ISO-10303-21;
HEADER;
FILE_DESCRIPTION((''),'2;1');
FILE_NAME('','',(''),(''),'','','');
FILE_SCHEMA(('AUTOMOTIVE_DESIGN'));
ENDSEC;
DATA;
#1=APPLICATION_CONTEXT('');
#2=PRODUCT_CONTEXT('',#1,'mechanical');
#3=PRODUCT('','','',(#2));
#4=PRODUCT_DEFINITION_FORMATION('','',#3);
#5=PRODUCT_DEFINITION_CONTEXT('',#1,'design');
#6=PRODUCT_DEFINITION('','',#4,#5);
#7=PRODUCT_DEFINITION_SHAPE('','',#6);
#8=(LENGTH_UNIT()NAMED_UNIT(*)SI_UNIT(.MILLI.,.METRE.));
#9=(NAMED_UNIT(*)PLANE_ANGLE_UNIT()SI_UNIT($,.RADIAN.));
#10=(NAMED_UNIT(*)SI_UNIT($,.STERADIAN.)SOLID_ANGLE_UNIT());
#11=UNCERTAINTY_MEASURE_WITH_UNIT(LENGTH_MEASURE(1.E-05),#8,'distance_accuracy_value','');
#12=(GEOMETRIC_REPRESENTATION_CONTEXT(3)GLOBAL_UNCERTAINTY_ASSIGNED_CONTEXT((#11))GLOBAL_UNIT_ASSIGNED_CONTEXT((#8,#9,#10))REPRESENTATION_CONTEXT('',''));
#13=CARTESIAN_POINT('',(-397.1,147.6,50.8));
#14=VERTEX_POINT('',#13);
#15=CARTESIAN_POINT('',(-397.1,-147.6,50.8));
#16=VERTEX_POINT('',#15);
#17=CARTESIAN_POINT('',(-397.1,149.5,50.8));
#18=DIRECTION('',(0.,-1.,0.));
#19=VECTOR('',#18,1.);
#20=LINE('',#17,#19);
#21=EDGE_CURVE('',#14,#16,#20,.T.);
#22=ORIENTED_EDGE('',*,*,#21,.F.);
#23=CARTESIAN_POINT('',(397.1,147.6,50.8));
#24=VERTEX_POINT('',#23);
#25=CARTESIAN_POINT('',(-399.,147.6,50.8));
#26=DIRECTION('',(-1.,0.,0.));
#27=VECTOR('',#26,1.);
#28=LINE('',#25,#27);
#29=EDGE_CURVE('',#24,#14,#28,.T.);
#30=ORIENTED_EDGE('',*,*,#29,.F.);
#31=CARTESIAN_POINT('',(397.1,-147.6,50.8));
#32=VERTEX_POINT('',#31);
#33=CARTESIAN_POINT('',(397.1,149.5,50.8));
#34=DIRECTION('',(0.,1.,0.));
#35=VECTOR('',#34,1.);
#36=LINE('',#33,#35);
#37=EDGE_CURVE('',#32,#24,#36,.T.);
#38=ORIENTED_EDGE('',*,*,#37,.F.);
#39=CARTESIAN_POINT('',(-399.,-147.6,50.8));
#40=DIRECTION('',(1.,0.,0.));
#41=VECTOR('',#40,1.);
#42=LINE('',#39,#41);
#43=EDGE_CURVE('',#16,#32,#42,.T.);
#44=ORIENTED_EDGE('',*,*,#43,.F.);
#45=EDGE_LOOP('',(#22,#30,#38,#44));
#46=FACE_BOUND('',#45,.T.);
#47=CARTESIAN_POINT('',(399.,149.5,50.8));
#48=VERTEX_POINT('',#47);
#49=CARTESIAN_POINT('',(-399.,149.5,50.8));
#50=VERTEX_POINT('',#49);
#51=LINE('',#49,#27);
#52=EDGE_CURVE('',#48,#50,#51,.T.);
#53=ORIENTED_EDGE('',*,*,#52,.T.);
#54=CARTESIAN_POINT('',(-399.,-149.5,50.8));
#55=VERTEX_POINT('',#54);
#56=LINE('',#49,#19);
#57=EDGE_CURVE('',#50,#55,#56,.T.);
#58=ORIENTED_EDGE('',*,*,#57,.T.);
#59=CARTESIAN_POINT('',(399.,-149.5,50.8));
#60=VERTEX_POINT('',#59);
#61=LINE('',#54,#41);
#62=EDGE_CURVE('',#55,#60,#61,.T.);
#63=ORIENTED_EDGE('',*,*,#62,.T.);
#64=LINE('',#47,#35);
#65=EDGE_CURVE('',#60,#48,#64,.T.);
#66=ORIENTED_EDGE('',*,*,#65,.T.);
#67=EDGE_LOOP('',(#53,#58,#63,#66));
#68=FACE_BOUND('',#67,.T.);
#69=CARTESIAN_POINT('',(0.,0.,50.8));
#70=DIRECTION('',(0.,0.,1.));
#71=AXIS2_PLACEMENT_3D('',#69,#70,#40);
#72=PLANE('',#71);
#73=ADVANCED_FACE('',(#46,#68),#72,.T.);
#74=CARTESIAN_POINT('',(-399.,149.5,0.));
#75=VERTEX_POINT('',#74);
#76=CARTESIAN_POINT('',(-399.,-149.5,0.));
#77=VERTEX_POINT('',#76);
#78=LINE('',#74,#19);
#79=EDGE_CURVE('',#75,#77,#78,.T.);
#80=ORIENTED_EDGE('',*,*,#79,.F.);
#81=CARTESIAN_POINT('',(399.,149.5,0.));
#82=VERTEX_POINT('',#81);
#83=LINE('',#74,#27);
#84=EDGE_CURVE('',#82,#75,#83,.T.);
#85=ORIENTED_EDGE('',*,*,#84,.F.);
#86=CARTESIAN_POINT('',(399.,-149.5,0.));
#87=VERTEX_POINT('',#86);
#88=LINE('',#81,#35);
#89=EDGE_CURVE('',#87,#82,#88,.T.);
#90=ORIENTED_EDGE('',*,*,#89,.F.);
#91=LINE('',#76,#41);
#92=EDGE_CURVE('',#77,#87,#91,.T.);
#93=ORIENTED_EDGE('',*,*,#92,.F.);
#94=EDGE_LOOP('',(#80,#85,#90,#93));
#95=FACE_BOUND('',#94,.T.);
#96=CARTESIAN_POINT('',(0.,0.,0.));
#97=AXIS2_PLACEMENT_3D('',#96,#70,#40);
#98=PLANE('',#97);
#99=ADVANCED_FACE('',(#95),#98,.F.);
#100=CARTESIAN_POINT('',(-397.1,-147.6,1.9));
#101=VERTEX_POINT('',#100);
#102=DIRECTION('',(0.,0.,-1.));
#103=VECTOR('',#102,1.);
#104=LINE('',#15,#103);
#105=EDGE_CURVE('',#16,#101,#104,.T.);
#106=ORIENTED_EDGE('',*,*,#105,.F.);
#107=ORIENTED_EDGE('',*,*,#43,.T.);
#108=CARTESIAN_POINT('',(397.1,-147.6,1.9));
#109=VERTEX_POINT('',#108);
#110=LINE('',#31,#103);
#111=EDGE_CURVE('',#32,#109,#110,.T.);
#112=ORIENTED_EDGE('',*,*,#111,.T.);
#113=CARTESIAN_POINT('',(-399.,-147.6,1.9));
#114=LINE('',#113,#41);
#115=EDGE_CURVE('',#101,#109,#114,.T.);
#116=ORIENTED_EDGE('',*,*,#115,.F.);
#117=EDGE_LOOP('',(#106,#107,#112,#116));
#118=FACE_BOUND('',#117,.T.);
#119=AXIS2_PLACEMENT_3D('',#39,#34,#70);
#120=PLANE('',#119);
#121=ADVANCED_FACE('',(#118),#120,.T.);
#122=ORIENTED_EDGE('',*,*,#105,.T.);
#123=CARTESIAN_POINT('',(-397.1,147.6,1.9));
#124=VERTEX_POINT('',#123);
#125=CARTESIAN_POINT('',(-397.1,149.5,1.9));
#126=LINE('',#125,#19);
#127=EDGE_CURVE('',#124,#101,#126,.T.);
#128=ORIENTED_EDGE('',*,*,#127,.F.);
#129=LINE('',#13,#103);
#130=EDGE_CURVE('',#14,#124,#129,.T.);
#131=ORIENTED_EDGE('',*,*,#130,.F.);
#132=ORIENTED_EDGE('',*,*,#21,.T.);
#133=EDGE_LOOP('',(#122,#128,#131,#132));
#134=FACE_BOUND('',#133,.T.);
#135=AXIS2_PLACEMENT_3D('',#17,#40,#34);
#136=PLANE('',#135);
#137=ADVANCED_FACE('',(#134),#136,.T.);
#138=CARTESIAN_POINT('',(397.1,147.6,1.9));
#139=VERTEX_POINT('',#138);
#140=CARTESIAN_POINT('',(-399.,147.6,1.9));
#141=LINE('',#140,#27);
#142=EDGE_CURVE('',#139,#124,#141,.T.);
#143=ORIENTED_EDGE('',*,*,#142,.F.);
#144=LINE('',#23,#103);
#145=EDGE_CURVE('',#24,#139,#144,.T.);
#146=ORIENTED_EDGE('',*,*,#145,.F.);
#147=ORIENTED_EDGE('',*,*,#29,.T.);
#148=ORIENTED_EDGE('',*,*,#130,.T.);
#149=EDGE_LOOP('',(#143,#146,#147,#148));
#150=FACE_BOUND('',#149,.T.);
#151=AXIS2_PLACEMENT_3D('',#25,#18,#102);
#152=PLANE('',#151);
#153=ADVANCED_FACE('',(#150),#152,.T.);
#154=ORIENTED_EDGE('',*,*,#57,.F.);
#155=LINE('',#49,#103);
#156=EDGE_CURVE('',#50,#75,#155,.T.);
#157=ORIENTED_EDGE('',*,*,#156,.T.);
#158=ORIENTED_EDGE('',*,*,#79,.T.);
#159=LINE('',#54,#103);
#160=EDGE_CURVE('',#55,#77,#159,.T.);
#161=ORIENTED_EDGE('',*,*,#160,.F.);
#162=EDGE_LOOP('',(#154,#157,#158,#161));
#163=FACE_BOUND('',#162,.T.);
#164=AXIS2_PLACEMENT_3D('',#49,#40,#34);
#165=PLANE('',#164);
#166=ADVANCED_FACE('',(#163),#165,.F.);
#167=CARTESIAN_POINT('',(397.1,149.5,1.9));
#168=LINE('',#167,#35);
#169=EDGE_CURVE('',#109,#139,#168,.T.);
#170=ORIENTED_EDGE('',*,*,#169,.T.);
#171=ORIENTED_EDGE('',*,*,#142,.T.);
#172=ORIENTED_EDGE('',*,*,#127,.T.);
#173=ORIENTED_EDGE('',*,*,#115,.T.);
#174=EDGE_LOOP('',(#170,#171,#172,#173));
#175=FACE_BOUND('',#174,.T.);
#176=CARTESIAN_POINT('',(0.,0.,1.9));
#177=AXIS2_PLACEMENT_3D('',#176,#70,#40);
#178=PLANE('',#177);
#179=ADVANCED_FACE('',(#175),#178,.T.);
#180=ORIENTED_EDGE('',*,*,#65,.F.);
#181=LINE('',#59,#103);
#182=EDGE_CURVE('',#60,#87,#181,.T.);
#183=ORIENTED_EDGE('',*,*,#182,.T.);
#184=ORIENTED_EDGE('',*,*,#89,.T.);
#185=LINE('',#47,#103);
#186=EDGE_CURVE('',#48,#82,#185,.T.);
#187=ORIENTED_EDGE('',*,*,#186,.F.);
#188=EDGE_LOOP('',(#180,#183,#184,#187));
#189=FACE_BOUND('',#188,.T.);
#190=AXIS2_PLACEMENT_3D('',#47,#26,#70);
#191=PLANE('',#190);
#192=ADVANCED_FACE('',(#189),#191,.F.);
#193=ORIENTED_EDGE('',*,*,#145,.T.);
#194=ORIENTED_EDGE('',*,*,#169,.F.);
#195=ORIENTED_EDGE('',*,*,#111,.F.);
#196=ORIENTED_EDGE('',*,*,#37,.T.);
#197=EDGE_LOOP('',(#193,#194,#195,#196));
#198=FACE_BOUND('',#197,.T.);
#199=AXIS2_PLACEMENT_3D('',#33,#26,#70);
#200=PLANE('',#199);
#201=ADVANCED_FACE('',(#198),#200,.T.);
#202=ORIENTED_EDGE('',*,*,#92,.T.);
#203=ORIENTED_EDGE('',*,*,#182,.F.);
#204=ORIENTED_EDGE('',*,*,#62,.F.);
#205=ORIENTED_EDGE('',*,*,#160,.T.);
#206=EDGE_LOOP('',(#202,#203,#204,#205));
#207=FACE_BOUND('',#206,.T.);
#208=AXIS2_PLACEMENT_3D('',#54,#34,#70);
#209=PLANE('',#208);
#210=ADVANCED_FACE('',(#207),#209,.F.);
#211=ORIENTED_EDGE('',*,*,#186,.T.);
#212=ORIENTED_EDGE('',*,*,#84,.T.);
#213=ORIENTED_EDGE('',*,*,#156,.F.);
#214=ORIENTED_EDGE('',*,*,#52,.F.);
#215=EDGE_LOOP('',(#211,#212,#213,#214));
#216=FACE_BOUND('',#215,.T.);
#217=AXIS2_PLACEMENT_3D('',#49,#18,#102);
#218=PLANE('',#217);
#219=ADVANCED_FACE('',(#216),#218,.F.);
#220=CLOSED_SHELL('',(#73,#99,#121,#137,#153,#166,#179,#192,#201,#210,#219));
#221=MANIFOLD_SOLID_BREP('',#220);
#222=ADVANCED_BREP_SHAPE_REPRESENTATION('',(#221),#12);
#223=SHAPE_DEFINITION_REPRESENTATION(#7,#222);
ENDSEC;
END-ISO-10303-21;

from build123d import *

# Parameters (mm, degrees)
CROQUIS1_W              = 798
CROQUIS1_H              = 299
SALIENTE_EXTRUIR1_DEPTH = 50.8
VACIADO1_T              = -1.9


with BuildPart() as part:
    # Croquis1 → Saliente-Extruir1 (new body)
    with BuildSketch(Plane.XY):
        Rectangle(CROQUIS1_W, CROQUIS1_H)
    extrude(amount=SALIENTE_EXTRUIR1_DEPTH)

    # Vaciado1
    vaciado1_openings = [part.faces().sort_by_distance(p)[0] for p in [
        (0, 0, 50.8),
    ]]
    offset(amount=VACIADO1_T, openings=vaciado1_openings, kind=Kind.INTERSECTION)


solid = part.part
